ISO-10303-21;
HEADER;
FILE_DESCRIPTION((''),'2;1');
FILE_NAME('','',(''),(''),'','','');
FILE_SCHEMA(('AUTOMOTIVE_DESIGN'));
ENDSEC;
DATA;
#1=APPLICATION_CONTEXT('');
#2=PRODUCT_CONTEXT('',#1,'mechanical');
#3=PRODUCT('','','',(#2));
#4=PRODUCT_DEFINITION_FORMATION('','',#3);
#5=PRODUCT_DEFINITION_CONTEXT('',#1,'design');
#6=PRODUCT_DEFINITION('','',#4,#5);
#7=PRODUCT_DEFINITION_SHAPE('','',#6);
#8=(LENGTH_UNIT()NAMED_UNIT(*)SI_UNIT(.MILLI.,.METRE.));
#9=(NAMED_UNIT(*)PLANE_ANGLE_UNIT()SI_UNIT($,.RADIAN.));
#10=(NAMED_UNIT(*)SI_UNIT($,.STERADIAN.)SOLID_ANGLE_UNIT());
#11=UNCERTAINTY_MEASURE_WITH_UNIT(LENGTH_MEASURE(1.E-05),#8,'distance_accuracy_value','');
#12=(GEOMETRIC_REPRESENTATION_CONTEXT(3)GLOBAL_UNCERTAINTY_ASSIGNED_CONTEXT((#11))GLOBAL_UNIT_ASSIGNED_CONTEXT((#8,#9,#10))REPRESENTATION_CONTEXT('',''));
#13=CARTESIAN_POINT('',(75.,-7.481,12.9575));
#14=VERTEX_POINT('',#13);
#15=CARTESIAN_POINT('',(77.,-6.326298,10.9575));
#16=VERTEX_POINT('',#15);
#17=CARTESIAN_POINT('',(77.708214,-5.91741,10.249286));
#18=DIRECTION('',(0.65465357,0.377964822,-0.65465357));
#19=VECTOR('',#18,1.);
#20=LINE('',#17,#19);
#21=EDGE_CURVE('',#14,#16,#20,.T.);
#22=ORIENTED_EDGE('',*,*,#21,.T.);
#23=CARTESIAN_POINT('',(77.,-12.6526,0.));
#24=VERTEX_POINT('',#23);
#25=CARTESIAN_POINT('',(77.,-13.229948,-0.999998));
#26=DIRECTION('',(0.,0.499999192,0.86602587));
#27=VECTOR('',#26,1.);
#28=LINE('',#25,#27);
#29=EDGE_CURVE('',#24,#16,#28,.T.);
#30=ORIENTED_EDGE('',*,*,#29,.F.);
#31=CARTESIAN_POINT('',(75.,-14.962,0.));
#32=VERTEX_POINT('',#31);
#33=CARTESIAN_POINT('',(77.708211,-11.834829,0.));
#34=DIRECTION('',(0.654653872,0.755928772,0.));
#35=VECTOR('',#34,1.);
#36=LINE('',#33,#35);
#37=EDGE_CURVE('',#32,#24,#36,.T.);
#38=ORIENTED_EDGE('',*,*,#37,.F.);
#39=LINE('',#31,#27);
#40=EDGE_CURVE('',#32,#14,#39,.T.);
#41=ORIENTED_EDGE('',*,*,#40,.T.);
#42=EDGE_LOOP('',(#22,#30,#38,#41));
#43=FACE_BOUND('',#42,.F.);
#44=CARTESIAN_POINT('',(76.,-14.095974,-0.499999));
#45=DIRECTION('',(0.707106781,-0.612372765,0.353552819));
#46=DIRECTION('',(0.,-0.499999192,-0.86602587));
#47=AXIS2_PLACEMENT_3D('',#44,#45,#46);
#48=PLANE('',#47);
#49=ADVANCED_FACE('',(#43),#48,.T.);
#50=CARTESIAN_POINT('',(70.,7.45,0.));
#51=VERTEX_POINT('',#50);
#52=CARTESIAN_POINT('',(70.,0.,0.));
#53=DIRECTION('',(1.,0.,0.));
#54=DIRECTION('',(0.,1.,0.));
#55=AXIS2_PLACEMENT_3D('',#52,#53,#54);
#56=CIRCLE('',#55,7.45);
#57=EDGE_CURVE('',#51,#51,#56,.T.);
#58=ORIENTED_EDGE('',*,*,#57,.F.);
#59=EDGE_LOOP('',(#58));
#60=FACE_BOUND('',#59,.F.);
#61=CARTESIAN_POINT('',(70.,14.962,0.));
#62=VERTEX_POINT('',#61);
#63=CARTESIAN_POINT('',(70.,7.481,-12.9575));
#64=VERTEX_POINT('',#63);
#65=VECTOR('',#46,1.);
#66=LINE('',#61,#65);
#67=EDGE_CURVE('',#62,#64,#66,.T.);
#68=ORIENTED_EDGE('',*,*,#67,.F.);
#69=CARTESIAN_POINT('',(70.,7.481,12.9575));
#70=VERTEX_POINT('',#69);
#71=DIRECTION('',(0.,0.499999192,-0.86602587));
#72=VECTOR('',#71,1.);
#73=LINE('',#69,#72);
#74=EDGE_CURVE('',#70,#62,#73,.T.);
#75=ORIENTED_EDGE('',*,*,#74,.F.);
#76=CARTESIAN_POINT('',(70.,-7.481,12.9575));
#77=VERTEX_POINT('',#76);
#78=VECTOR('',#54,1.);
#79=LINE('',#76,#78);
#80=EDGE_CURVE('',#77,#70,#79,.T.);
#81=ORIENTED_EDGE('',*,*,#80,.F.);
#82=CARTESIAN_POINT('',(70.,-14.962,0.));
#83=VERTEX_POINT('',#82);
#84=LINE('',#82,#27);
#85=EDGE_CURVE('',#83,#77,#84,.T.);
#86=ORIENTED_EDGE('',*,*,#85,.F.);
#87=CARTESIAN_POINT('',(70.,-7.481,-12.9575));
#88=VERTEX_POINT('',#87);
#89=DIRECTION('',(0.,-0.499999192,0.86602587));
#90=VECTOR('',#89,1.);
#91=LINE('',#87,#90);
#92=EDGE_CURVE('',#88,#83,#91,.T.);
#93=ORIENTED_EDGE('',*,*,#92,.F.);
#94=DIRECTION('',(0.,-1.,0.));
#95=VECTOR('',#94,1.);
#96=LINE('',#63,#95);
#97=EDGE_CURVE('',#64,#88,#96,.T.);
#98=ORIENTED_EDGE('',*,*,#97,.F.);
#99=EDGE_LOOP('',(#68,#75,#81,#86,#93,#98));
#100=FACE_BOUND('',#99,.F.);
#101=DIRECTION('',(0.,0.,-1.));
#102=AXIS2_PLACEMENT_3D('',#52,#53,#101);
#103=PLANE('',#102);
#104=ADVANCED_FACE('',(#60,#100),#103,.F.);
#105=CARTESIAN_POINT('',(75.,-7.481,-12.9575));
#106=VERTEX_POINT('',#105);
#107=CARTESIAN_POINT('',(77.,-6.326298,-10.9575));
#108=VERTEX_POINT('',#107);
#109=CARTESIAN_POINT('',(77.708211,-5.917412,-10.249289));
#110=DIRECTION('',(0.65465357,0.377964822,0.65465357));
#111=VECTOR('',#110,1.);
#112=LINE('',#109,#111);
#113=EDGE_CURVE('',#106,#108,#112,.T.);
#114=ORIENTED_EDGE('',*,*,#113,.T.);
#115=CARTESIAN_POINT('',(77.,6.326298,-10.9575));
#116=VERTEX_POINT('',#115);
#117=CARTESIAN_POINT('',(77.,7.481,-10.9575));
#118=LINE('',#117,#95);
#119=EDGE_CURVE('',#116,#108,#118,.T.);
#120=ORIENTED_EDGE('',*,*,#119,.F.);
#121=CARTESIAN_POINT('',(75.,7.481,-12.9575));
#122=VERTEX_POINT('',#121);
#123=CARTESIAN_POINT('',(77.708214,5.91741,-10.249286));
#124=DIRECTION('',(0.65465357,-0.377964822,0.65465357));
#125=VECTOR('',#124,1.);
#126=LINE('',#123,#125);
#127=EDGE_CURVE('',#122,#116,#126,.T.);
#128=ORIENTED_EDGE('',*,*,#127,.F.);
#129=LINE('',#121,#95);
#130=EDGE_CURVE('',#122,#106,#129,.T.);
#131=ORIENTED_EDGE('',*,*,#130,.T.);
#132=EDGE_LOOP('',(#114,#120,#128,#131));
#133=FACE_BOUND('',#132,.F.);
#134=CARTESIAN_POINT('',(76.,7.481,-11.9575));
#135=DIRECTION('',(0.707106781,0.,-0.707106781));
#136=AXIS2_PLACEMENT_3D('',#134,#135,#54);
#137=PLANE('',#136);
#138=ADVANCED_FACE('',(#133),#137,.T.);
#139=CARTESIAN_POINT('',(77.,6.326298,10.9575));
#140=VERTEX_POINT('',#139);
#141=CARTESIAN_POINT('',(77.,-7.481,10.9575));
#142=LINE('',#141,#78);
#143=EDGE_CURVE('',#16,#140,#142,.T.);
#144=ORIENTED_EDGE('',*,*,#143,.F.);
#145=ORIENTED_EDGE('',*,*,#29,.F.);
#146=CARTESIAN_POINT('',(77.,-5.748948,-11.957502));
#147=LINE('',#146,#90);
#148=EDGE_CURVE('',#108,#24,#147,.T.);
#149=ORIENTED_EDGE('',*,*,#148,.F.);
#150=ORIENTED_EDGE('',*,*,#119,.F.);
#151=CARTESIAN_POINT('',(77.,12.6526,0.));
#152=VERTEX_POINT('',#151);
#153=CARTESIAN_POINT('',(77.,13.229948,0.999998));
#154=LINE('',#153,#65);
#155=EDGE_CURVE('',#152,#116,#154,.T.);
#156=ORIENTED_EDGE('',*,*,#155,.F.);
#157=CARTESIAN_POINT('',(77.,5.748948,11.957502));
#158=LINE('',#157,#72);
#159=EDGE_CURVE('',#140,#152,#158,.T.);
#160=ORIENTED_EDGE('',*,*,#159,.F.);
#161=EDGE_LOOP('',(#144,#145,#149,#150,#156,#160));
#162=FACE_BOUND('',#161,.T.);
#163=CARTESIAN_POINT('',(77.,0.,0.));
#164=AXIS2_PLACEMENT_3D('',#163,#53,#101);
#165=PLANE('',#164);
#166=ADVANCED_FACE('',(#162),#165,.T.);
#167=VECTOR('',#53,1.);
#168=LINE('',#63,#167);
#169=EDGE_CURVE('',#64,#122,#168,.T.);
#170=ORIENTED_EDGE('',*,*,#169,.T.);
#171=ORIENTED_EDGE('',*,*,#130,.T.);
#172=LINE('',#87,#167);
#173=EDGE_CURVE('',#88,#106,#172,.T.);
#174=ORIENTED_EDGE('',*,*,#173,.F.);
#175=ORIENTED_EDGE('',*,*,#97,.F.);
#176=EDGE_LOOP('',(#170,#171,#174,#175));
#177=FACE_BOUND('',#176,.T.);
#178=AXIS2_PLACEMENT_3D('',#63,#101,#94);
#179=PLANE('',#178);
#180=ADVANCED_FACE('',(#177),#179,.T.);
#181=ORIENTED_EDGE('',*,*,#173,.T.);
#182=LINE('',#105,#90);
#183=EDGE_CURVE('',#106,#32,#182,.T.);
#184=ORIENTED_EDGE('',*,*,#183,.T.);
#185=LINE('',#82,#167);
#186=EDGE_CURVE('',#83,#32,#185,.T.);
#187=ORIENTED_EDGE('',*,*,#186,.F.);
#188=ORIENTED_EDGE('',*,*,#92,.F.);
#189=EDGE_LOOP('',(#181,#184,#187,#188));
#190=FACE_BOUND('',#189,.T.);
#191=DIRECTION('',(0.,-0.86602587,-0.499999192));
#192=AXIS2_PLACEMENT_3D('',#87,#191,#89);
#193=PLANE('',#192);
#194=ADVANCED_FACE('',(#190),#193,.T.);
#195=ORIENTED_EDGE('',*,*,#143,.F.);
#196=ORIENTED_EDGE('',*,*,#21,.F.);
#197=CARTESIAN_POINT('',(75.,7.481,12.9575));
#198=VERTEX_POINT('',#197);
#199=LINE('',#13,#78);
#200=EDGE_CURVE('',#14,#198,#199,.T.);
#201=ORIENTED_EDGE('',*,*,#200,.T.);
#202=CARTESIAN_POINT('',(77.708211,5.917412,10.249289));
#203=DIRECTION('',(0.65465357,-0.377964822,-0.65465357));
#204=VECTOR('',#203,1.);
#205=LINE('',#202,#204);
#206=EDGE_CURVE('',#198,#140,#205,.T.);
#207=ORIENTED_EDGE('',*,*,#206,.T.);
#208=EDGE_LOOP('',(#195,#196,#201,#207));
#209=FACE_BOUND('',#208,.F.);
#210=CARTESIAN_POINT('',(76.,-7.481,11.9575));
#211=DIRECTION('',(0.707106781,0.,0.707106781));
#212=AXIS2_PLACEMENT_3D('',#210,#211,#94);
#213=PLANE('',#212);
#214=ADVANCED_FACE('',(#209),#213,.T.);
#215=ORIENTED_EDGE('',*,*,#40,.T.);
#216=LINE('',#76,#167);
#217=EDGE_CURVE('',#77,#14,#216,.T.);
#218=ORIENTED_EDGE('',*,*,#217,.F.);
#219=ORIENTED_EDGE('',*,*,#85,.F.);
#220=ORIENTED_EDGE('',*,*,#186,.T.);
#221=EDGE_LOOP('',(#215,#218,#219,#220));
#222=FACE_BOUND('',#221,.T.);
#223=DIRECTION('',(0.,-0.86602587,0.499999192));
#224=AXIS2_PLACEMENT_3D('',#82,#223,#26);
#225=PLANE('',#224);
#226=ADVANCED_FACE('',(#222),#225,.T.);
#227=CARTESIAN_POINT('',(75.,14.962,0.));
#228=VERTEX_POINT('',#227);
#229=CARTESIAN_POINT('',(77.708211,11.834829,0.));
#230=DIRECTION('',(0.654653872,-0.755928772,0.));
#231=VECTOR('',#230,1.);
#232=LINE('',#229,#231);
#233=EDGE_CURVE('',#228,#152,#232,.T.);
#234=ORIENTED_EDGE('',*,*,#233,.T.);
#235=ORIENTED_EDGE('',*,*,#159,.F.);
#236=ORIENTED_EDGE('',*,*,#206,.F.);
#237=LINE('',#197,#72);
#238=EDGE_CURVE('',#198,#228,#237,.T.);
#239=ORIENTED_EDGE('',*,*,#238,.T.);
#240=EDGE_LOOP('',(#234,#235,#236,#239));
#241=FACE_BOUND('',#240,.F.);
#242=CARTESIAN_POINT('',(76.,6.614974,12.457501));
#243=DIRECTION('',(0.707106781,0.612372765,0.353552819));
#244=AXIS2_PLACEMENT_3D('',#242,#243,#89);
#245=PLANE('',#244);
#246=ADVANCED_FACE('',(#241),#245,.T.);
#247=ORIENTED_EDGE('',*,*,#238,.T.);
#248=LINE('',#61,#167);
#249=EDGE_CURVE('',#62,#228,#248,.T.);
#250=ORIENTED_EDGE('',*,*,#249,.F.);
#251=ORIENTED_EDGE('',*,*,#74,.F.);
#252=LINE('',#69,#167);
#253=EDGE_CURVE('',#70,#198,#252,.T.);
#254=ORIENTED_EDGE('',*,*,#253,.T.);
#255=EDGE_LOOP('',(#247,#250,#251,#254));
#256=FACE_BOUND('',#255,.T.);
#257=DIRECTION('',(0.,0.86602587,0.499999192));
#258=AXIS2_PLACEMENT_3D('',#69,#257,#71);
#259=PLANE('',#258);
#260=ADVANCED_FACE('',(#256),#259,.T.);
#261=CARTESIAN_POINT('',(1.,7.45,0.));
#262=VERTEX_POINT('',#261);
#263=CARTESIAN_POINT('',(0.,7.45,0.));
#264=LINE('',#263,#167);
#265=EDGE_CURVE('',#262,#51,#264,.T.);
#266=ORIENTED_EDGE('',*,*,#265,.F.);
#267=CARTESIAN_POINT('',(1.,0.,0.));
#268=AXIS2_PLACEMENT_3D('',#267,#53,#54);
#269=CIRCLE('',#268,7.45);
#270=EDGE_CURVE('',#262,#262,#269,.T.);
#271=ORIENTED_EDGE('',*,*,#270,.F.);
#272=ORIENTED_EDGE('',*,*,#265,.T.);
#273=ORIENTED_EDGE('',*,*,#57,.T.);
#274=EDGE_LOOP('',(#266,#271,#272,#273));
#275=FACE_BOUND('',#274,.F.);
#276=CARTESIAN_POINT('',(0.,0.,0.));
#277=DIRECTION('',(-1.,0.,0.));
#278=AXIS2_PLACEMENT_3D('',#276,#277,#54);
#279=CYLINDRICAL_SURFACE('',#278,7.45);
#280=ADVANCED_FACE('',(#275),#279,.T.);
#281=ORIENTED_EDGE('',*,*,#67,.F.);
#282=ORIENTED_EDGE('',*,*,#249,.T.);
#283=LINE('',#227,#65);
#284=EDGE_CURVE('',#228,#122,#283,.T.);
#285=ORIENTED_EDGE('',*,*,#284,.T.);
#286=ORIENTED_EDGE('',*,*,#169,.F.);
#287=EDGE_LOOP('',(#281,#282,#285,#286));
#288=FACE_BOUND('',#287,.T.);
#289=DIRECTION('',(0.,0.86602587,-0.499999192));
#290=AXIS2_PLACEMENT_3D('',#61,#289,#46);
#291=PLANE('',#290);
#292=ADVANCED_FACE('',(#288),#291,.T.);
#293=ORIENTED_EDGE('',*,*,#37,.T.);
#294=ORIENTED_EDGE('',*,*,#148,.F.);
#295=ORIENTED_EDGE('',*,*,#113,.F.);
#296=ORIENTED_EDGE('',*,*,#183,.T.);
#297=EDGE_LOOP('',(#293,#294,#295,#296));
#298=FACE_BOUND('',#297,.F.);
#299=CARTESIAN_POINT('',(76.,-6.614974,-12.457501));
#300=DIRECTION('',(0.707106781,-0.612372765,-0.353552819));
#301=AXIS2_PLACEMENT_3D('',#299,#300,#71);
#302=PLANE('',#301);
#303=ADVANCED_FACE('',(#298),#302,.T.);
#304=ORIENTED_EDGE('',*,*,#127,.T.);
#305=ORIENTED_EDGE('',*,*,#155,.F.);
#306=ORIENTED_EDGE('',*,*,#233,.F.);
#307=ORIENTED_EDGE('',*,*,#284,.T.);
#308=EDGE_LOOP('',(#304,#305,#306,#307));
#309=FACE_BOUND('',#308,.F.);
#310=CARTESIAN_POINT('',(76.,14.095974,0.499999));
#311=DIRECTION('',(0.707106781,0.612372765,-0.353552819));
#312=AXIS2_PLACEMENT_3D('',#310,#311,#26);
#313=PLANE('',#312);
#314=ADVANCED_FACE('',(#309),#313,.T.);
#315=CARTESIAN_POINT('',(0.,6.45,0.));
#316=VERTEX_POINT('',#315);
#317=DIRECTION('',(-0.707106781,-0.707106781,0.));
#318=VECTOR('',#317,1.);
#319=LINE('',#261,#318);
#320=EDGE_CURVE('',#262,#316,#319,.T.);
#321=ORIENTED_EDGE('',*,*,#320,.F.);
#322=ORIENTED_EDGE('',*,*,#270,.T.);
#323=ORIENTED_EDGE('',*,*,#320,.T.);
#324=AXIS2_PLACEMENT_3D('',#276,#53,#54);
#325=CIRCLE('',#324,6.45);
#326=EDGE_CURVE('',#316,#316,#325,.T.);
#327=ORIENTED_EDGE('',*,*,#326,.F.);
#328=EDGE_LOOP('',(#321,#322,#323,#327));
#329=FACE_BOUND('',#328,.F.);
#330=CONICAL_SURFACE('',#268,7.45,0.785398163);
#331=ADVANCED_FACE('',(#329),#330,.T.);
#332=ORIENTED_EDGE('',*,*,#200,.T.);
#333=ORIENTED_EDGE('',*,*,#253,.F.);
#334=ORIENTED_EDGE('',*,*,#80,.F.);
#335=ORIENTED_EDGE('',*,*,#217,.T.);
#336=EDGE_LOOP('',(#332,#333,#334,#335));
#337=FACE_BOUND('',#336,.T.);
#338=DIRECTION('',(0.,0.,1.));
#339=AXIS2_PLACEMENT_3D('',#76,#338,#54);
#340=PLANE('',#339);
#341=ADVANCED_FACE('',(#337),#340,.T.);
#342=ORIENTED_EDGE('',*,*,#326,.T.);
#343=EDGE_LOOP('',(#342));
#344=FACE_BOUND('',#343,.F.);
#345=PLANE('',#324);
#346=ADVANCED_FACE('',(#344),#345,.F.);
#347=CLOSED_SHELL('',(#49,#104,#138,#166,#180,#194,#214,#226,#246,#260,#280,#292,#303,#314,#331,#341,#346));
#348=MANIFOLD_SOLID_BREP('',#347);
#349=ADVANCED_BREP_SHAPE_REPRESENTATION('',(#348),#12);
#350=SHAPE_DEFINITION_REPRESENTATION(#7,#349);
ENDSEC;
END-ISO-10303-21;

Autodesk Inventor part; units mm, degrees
ref_plane "YZ Plane" through (0, 0, 0) normal (1, 0, 0) x (0, 1, 0)
ref_plane "XZ Plane" through (0, 0, 0) normal (0, 1, 0) x (-1, 0, 0)
ref_plane "XY Plane" through (0, 0, 0) normal (0, 0, 1) x (1, 0, 0)
sketch "Sketch1" plane through (0, 0, 0) normal (1, 0, 0) x (0, 1, 0)
  circle A0 centre (0, 0) radius 7.45
  dimension "d0" = 14.9
extrude "Extrusion1" add sketch "Sketch1" along normal blind 70
sketch "Sketch2" plane through (70, 0, 0) normal (1, 0, 0) x (0, 0, -1)
  line L0 (0, 14.962) -> (12.9575, 7.481)
  line L1 (12.9575, 7.481) -> (12.9575, -7.481)
  line L2 (12.9575, -7.481) -> (0, -14.962)
  line L3 (0, -14.962) -> (-12.9575, -7.481)
  line L4 (-12.9575, -7.481) -> (-12.9575, 7.481)
  line L5 (-12.9575, 7.481) -> (0, 14.962)
  point P0 (0, 0)
  point P1 (0, 0)
  dimension "d12" = 25.915
  dimension "d13" = 14.962
extrude "Extrusion2" add sketch "Sketch2" along normal blind 7
chamfer "Chamfer1" distance 1 angle 45 1 edges at (0, -7.45, 0)
sketch "Sketch3" plane through (0, 0, 0) normal (0, 0, 1) x (1, 0, 0)
  point P0 (0, 0)
thread "Thread2" size "M15x1.5" class "6g" standard "ANSI Metric M Profile" full length
chamfer "Chamfer2" distance 2 angle 45 6 edges at (77, 11.2215, -6.4788) (77, 11.2215, 6.4788) (77, 0, 12.9575) (77, -11.2215, 6.4788) (77, -11.2215, -6.4788) (77, 0, -12.9575)
properties part number "bolt" material "Iron, Cast"
